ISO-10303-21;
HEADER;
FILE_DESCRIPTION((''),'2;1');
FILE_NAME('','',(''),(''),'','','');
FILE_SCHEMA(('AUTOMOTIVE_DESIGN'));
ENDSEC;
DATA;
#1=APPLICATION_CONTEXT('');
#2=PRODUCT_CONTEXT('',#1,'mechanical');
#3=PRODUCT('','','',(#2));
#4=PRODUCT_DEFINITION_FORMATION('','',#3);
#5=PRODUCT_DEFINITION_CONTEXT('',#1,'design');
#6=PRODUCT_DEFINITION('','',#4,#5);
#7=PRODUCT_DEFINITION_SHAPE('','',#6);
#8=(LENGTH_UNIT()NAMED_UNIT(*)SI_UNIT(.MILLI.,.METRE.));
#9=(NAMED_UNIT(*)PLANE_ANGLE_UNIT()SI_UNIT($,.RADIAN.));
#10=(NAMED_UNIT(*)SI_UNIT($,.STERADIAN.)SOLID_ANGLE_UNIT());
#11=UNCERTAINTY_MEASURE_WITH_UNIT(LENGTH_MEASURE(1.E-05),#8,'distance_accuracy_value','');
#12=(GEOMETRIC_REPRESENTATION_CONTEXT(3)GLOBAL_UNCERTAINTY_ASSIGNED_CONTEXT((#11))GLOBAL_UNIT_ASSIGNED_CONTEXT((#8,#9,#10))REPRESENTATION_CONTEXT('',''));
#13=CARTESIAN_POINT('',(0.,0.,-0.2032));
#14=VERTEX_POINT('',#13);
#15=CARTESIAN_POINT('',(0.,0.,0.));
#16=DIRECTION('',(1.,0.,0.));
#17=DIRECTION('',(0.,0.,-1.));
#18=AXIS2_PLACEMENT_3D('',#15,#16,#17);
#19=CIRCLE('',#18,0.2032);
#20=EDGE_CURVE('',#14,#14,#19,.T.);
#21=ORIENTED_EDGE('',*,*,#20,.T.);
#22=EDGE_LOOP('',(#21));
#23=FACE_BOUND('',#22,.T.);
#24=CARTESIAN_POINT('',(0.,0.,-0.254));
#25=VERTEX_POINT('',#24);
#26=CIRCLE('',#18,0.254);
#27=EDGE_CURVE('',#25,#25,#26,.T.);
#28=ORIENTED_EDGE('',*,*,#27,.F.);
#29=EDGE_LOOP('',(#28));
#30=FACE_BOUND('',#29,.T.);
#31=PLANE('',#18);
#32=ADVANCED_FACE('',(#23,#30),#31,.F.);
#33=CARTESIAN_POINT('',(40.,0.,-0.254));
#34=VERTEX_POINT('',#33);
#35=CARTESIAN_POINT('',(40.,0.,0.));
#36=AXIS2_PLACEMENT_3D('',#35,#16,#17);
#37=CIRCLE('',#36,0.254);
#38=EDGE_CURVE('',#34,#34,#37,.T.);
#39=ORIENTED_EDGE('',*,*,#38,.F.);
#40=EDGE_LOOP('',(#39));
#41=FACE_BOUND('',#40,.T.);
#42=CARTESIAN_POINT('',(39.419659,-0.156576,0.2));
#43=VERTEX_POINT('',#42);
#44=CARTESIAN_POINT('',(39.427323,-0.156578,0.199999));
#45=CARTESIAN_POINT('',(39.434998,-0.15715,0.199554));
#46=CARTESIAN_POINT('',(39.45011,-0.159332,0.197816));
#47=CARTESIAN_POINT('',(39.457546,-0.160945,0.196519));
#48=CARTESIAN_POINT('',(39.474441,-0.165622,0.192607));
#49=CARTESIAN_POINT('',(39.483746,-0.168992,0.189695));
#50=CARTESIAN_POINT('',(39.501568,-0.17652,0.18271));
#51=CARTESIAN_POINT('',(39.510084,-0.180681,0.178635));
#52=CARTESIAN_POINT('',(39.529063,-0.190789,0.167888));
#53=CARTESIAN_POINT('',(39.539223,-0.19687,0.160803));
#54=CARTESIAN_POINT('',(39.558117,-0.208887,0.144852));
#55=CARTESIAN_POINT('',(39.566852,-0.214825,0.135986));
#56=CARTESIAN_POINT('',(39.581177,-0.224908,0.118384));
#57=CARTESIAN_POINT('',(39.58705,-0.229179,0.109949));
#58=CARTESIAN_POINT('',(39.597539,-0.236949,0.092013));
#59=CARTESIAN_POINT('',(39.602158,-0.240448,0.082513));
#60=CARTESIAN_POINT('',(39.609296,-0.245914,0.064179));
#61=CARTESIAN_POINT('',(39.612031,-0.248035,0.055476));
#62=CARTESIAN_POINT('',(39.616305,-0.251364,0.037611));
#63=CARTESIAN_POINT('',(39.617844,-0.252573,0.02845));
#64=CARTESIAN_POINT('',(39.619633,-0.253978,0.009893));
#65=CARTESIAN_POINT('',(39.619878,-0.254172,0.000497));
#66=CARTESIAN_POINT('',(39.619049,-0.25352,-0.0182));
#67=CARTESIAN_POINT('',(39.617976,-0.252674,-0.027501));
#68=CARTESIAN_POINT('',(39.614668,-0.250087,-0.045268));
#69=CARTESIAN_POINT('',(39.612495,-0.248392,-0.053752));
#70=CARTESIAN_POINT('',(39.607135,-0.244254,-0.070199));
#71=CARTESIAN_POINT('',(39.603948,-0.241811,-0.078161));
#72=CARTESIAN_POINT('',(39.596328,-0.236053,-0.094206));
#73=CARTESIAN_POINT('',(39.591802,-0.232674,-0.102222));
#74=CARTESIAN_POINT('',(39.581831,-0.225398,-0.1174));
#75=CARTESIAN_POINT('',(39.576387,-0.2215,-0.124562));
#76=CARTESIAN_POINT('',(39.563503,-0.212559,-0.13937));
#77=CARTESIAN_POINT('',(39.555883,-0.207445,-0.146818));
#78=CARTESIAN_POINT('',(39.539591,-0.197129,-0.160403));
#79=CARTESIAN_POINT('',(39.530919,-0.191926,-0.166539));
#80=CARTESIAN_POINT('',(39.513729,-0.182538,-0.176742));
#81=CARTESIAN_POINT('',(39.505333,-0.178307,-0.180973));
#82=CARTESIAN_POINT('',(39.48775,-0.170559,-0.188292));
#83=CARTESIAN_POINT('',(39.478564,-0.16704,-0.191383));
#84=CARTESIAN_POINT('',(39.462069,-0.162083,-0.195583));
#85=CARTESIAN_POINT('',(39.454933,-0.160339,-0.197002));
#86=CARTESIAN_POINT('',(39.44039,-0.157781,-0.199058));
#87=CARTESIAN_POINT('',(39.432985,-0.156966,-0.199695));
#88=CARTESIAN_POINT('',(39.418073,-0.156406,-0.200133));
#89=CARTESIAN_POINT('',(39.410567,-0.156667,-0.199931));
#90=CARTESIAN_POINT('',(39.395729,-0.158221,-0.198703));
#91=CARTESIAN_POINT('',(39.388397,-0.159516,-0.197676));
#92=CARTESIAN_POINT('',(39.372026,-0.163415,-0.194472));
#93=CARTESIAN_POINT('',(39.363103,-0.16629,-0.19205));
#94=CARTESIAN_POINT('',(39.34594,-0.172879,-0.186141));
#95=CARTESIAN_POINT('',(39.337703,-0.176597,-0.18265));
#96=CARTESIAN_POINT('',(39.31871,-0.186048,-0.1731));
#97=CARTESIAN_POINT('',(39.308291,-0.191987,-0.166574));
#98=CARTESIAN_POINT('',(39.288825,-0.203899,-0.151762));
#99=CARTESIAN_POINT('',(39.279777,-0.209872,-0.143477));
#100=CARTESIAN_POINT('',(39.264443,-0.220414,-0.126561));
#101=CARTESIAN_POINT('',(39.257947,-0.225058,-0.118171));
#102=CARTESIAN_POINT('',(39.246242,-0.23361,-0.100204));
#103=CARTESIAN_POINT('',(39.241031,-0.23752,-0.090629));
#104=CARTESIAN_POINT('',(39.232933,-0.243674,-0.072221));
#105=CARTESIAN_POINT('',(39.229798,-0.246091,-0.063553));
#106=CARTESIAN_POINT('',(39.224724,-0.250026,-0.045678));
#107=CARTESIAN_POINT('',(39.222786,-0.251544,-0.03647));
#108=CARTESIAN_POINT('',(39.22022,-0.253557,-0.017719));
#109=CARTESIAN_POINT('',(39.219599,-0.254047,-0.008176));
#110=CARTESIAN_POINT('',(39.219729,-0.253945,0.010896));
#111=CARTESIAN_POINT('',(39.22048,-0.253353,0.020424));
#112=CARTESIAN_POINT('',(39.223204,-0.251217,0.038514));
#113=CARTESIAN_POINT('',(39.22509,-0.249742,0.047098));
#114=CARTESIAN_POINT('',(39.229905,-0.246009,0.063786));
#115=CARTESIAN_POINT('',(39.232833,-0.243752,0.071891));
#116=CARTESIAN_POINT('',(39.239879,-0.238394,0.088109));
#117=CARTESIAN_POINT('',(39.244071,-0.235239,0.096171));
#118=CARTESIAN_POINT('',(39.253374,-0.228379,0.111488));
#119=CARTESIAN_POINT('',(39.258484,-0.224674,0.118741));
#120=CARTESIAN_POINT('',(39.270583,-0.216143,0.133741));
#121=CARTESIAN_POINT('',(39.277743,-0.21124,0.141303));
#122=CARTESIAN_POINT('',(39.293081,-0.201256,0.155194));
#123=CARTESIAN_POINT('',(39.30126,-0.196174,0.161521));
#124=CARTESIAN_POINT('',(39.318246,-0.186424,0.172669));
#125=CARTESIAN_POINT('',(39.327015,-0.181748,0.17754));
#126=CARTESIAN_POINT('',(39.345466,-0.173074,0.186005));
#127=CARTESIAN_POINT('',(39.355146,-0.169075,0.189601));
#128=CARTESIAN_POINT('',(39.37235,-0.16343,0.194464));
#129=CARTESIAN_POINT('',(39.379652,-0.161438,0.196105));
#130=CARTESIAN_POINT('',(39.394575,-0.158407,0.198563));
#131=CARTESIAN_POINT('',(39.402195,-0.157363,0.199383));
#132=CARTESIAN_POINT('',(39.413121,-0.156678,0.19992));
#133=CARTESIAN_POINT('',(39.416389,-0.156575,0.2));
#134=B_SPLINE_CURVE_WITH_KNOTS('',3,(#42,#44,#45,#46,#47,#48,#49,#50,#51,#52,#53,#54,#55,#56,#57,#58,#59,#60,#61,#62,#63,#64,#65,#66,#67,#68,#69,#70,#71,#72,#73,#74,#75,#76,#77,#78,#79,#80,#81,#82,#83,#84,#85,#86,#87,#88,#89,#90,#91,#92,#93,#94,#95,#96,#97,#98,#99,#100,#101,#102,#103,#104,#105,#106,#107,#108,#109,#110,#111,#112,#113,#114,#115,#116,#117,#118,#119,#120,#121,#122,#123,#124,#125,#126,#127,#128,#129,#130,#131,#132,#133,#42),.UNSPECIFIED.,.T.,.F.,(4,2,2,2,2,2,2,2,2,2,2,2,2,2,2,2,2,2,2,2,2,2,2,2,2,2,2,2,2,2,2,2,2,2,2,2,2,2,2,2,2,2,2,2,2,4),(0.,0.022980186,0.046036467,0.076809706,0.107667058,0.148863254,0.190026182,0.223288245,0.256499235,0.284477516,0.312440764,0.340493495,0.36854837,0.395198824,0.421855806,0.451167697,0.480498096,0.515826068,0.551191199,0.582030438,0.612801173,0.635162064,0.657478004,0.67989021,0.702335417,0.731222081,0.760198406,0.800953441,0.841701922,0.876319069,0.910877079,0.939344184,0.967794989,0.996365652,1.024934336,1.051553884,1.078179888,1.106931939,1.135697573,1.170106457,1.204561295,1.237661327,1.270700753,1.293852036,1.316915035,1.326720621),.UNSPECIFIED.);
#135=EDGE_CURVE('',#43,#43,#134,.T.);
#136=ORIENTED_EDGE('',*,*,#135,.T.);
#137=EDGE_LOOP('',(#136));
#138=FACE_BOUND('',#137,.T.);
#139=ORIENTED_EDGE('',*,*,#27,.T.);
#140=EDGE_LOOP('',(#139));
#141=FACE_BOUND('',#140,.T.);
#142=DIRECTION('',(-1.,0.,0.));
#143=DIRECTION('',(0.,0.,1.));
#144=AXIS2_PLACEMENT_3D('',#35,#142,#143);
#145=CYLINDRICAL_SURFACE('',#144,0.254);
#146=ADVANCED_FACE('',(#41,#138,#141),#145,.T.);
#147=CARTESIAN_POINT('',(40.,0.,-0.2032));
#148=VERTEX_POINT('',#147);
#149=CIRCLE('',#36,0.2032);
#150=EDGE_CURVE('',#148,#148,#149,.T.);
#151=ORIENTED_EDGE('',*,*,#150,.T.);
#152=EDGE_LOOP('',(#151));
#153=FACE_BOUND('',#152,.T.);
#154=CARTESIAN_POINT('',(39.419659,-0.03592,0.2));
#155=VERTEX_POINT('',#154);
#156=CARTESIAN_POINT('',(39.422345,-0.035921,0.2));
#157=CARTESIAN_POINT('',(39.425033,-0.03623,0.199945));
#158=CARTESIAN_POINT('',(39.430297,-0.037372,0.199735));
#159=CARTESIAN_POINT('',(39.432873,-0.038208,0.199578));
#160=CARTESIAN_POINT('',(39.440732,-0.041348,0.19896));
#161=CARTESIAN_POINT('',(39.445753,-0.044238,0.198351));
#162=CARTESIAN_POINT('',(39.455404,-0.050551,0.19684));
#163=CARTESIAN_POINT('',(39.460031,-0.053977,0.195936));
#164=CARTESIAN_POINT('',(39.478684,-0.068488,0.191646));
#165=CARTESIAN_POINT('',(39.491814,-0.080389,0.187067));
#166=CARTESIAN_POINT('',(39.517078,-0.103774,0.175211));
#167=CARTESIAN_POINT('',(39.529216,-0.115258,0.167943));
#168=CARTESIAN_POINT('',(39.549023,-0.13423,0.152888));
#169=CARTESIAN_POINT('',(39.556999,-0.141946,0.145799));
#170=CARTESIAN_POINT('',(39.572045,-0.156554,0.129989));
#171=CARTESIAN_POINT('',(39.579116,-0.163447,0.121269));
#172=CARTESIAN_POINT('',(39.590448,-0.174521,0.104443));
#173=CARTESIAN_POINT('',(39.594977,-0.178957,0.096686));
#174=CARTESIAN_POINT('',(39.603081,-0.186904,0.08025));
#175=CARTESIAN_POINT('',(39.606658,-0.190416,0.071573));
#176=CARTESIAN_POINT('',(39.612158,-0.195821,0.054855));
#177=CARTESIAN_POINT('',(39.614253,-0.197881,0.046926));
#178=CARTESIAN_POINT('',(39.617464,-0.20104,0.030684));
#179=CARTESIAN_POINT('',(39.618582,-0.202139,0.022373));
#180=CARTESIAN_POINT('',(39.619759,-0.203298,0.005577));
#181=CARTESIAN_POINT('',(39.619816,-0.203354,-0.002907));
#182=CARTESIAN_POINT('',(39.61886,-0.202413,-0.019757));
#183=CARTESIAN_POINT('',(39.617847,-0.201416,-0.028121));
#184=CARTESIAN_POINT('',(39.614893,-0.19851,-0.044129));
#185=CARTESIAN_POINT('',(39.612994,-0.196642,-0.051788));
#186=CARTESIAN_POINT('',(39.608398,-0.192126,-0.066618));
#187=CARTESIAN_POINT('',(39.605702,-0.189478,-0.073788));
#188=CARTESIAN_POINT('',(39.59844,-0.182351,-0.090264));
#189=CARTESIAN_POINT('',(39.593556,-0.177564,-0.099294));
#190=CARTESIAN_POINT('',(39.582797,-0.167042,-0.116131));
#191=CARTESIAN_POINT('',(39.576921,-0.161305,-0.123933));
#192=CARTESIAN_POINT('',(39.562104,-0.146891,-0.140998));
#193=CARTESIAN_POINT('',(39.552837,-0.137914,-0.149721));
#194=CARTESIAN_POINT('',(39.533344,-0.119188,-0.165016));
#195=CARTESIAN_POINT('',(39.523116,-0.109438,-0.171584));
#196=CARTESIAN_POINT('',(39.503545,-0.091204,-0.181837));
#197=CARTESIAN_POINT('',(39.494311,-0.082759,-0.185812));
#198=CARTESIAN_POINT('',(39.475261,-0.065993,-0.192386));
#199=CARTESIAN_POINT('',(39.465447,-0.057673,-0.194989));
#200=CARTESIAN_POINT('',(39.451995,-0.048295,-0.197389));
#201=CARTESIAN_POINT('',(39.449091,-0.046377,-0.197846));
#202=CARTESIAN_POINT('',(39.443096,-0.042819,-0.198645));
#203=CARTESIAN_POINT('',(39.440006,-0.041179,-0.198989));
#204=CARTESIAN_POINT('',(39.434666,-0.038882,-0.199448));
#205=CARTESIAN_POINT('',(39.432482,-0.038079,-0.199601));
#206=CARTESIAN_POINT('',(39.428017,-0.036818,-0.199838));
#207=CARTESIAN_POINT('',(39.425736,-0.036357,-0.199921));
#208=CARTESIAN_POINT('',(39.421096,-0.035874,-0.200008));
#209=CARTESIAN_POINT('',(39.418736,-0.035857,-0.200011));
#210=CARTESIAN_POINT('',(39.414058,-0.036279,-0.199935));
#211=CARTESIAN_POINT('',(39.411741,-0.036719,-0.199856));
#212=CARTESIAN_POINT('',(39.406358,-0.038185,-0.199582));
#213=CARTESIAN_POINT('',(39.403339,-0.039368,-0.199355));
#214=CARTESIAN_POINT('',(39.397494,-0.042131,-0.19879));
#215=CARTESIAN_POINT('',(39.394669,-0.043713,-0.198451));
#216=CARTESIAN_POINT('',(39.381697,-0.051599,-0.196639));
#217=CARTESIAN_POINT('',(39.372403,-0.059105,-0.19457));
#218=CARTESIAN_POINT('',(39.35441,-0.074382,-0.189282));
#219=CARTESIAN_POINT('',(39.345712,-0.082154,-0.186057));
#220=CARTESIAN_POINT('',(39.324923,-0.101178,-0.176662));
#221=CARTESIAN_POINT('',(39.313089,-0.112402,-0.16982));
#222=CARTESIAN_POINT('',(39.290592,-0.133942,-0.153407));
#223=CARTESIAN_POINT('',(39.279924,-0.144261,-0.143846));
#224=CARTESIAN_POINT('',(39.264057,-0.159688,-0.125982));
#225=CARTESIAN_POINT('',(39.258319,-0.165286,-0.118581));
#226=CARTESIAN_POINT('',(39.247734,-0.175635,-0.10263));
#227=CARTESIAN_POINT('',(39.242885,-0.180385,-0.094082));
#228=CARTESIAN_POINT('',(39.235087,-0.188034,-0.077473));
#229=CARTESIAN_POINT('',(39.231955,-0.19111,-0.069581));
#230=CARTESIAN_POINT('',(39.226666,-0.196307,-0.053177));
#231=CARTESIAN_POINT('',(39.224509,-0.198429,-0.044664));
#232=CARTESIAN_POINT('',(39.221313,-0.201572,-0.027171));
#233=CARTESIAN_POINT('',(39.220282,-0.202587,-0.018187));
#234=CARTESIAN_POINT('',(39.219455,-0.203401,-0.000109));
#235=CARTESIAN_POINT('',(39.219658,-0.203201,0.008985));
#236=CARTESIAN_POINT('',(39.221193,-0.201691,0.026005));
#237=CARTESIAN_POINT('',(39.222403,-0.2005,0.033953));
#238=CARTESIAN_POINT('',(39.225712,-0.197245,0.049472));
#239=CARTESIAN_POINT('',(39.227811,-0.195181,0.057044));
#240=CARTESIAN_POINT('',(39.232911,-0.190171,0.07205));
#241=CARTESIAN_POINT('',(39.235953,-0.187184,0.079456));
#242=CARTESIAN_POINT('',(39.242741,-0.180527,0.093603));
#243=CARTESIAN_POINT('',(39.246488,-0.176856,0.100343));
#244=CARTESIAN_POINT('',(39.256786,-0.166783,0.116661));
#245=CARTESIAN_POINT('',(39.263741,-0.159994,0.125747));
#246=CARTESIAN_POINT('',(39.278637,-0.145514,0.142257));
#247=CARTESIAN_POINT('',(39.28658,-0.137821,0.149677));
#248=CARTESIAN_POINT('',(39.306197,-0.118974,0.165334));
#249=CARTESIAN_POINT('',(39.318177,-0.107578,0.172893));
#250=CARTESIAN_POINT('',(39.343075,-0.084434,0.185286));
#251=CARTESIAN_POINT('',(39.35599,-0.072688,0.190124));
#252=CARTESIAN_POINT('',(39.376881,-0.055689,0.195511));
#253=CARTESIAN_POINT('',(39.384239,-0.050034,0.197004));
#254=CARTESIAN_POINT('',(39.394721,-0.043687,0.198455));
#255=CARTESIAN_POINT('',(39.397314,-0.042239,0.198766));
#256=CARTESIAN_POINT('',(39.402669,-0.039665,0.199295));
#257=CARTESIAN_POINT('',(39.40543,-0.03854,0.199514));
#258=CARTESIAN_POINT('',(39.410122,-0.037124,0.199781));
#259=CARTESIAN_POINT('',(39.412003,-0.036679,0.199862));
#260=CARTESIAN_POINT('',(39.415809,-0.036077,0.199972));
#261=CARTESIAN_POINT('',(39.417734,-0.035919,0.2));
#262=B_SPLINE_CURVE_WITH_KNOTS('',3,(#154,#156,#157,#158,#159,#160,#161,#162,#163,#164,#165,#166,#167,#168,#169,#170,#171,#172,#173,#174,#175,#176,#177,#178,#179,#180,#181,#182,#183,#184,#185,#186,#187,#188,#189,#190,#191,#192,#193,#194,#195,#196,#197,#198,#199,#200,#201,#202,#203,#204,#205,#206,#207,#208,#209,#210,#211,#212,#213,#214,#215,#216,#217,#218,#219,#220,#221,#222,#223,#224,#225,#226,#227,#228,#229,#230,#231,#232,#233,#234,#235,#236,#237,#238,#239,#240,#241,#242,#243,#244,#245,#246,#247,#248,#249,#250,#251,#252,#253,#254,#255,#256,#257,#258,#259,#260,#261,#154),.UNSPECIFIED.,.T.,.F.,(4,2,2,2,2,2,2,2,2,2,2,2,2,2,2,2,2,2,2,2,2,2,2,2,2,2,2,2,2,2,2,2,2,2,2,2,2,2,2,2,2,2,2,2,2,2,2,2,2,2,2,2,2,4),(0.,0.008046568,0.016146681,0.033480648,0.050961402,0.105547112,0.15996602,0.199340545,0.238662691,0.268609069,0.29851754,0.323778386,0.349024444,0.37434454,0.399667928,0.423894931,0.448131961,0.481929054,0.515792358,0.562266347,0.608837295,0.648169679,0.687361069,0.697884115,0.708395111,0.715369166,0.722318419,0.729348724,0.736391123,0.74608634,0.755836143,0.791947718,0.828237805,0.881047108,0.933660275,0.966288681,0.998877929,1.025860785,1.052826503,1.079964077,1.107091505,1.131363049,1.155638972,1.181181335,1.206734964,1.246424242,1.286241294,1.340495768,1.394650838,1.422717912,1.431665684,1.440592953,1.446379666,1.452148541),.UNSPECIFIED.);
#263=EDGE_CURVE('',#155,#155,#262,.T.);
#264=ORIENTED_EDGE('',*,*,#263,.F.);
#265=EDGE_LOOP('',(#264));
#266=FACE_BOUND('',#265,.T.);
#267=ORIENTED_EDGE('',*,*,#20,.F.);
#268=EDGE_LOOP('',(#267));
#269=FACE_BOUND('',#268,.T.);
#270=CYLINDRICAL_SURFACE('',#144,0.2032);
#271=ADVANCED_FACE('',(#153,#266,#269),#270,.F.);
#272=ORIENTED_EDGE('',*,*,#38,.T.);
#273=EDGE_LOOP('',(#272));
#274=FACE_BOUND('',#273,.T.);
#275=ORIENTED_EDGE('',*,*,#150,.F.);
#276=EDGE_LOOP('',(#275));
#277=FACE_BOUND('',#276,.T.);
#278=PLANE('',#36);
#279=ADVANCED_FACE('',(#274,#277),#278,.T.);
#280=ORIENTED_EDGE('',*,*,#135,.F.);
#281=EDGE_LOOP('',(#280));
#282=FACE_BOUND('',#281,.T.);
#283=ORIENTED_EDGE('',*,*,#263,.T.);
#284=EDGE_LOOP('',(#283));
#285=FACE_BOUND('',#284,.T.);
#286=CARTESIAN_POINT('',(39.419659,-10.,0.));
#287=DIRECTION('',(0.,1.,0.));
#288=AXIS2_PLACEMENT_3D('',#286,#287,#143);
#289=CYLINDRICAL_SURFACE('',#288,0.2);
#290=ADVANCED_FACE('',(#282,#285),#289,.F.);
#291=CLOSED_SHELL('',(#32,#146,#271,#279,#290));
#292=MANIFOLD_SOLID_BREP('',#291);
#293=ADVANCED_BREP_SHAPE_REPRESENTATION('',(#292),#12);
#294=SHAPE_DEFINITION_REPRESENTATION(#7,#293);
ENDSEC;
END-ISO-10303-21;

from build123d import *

# Parameters (mm, degrees)
SKETCH1_R           = 0.254
SKETCH1_R_2         = 0.2032
BOSS_EXTRUDE1_DEPTH = 40
SKETCH5_R           = 0.2
CUT_EXTRUDE1_DEPTH  = 10


with BuildPart() as part:
    # Sketch1 → Boss-Extrude1 (new body)
    with BuildSketch(Plane(origin=(0, 0, 0), x_dir=(0, 0, -1), z_dir=(1, 0, 0))):
        Circle(SKETCH1_R)
        Circle(SKETCH1_R_2, mode=Mode.SUBTRACT)
    extrude(amount=BOSS_EXTRUDE1_DEPTH)

    # Sketch5 → Cut-Extrude1 (cut)
    with BuildSketch(Plane(origin=(0, 0, 0), x_dir=(1, 0, 0), z_dir=(0, 1, 0))):
        with Locations((39.419659362, 0)):
            Circle(SKETCH5_R)
    extrude(amount=-CUT_EXTRUDE1_DEPTH, mode=Mode.SUBTRACT)


solid = part.part
